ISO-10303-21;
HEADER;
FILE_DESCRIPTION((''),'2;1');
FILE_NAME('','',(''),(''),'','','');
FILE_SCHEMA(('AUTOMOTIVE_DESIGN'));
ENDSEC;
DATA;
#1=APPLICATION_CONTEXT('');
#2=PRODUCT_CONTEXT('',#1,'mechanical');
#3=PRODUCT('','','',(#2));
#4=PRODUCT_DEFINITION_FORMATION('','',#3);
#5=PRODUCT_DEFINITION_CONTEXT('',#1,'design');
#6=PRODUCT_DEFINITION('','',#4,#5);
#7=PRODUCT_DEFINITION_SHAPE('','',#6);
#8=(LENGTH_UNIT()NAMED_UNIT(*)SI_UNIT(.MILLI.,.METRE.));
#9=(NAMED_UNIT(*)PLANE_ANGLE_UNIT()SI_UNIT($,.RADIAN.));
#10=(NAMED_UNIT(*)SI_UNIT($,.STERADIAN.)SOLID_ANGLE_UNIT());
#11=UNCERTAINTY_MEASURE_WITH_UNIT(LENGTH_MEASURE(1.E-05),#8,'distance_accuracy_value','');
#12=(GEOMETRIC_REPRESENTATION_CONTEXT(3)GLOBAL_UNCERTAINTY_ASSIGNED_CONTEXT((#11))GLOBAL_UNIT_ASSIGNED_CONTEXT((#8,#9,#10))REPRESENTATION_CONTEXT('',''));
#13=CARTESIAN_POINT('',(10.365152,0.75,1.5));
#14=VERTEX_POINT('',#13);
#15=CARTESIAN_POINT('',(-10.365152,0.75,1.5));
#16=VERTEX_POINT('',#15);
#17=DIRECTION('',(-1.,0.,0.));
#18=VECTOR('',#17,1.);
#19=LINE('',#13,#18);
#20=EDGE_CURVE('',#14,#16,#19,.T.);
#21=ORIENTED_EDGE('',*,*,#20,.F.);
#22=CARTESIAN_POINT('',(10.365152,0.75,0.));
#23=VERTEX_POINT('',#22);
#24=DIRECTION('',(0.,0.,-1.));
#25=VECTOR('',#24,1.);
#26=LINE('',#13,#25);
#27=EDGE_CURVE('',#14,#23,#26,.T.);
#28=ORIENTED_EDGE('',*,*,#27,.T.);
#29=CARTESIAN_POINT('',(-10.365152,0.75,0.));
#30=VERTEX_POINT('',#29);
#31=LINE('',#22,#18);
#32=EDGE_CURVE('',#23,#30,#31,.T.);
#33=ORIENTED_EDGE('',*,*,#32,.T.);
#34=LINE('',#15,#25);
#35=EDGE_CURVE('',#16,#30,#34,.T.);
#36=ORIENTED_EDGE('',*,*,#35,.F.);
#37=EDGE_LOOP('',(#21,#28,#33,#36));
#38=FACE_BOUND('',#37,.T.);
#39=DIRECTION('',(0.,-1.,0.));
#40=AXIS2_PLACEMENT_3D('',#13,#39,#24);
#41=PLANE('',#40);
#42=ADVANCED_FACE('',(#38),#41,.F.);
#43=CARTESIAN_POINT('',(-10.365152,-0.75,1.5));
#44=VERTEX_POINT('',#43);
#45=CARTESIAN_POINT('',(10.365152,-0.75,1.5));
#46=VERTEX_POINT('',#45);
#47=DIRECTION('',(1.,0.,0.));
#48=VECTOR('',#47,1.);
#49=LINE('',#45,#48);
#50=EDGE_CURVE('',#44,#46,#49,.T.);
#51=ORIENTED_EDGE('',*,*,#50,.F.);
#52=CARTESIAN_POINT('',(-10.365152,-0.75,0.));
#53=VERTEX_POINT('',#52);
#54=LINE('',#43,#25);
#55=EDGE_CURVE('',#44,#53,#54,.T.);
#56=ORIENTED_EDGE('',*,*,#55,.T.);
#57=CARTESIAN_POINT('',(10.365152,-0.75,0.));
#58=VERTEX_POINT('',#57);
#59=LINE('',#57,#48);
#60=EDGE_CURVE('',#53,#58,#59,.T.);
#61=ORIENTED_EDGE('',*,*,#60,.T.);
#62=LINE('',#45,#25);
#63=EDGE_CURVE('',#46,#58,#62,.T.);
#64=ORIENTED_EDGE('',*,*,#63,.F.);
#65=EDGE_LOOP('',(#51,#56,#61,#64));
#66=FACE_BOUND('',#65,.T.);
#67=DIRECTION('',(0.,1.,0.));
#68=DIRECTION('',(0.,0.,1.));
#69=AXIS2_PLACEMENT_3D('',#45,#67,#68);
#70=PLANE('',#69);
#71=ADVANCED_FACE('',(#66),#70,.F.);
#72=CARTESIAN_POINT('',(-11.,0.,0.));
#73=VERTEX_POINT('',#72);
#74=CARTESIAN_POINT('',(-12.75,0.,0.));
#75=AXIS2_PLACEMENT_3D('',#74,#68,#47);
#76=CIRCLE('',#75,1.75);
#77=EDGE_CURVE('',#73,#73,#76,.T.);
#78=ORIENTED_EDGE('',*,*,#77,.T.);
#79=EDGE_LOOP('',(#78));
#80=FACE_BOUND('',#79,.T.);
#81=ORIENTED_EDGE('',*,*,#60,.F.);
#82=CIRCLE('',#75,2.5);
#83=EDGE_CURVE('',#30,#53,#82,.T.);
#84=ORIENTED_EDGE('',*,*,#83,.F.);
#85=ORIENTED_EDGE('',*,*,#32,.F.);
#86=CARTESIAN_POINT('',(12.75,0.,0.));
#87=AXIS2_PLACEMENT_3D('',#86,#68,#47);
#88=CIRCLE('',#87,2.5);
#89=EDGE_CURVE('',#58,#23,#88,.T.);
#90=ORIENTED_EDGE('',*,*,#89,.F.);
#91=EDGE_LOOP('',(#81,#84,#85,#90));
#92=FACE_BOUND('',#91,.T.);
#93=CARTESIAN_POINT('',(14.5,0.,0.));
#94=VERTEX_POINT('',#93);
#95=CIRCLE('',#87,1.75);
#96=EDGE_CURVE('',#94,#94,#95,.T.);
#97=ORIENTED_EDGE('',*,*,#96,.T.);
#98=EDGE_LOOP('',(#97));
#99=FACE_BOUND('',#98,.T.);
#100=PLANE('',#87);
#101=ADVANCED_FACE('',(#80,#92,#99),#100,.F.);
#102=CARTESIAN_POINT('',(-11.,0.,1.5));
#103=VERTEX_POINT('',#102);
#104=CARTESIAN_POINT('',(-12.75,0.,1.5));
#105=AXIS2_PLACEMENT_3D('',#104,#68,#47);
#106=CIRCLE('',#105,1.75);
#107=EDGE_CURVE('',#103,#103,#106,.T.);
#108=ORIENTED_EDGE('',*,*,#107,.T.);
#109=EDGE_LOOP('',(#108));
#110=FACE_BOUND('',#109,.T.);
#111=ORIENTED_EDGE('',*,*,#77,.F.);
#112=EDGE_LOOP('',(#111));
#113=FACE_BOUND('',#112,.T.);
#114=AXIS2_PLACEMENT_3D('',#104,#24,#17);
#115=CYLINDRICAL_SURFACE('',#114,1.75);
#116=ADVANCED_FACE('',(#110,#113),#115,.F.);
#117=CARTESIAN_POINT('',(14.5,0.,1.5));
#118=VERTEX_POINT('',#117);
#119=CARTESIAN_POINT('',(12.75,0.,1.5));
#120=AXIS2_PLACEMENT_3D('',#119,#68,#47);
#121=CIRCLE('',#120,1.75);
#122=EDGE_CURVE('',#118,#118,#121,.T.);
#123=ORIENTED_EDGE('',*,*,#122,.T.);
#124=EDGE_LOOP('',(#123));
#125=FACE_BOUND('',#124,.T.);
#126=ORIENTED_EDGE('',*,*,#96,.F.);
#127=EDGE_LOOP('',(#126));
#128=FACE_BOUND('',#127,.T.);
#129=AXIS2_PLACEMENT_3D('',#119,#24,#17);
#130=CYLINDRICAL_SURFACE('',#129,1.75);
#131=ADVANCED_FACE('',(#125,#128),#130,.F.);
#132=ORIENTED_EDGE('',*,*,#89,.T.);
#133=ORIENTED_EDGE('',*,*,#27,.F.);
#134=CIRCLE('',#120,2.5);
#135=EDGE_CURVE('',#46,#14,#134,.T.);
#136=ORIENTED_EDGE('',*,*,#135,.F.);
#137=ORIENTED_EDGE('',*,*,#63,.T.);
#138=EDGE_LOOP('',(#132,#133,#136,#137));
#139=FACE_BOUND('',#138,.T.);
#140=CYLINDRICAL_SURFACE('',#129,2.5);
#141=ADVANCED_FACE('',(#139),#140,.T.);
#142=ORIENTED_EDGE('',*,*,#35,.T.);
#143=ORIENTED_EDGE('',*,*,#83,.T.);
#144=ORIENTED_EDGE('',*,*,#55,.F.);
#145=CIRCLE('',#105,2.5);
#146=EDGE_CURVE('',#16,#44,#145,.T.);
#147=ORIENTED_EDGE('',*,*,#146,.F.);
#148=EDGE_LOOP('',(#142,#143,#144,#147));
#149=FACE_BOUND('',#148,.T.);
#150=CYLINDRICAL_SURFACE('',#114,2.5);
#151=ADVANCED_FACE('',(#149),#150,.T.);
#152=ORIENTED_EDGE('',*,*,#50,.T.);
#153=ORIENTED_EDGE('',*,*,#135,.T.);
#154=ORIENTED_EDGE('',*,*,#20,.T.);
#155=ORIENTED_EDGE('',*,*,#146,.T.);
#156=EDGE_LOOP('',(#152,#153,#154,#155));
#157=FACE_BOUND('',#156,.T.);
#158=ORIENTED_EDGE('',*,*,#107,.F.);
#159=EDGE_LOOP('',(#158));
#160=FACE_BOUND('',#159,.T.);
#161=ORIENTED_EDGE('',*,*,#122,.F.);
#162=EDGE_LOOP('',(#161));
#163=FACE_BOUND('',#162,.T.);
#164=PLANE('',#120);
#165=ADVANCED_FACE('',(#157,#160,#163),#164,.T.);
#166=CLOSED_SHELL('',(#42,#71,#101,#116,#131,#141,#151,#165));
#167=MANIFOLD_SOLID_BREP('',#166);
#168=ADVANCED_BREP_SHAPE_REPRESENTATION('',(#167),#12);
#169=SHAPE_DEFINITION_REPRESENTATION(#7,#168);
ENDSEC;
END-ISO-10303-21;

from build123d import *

# Parameters (mm, degrees)
SKETCH1_R           = 1.75
BOSS_EXTRUDE1_DEPTH = 1.5


with BuildPart() as part:
    # Sketch1 → Boss-Extrude1 (new body)
    with BuildSketch(Plane.XY):
        with BuildLine():
            Line((10.365151996, 0.75), (-10.365151996, 0.75))
            ThreePointArc((-10.365151996, 0.75), (-15.25, 0), (-10.365151996, -0.75))
            Line((-10.365151996, -0.75), (10.365151996, -0.75))
            ThreePointArc((10.365151996, -0.75), (15.25, 0), (10.365151996, 0.75))
        make_face()
        with Locations((12.75, 0)):
            Circle(SKETCH1_R, mode=Mode.SUBTRACT)
        with Locations((-12.75, 0)):
            Circle(SKETCH1_R, mode=Mode.SUBTRACT)
    extrude(amount=BOSS_EXTRUDE1_DEPTH)


solid = part.part
